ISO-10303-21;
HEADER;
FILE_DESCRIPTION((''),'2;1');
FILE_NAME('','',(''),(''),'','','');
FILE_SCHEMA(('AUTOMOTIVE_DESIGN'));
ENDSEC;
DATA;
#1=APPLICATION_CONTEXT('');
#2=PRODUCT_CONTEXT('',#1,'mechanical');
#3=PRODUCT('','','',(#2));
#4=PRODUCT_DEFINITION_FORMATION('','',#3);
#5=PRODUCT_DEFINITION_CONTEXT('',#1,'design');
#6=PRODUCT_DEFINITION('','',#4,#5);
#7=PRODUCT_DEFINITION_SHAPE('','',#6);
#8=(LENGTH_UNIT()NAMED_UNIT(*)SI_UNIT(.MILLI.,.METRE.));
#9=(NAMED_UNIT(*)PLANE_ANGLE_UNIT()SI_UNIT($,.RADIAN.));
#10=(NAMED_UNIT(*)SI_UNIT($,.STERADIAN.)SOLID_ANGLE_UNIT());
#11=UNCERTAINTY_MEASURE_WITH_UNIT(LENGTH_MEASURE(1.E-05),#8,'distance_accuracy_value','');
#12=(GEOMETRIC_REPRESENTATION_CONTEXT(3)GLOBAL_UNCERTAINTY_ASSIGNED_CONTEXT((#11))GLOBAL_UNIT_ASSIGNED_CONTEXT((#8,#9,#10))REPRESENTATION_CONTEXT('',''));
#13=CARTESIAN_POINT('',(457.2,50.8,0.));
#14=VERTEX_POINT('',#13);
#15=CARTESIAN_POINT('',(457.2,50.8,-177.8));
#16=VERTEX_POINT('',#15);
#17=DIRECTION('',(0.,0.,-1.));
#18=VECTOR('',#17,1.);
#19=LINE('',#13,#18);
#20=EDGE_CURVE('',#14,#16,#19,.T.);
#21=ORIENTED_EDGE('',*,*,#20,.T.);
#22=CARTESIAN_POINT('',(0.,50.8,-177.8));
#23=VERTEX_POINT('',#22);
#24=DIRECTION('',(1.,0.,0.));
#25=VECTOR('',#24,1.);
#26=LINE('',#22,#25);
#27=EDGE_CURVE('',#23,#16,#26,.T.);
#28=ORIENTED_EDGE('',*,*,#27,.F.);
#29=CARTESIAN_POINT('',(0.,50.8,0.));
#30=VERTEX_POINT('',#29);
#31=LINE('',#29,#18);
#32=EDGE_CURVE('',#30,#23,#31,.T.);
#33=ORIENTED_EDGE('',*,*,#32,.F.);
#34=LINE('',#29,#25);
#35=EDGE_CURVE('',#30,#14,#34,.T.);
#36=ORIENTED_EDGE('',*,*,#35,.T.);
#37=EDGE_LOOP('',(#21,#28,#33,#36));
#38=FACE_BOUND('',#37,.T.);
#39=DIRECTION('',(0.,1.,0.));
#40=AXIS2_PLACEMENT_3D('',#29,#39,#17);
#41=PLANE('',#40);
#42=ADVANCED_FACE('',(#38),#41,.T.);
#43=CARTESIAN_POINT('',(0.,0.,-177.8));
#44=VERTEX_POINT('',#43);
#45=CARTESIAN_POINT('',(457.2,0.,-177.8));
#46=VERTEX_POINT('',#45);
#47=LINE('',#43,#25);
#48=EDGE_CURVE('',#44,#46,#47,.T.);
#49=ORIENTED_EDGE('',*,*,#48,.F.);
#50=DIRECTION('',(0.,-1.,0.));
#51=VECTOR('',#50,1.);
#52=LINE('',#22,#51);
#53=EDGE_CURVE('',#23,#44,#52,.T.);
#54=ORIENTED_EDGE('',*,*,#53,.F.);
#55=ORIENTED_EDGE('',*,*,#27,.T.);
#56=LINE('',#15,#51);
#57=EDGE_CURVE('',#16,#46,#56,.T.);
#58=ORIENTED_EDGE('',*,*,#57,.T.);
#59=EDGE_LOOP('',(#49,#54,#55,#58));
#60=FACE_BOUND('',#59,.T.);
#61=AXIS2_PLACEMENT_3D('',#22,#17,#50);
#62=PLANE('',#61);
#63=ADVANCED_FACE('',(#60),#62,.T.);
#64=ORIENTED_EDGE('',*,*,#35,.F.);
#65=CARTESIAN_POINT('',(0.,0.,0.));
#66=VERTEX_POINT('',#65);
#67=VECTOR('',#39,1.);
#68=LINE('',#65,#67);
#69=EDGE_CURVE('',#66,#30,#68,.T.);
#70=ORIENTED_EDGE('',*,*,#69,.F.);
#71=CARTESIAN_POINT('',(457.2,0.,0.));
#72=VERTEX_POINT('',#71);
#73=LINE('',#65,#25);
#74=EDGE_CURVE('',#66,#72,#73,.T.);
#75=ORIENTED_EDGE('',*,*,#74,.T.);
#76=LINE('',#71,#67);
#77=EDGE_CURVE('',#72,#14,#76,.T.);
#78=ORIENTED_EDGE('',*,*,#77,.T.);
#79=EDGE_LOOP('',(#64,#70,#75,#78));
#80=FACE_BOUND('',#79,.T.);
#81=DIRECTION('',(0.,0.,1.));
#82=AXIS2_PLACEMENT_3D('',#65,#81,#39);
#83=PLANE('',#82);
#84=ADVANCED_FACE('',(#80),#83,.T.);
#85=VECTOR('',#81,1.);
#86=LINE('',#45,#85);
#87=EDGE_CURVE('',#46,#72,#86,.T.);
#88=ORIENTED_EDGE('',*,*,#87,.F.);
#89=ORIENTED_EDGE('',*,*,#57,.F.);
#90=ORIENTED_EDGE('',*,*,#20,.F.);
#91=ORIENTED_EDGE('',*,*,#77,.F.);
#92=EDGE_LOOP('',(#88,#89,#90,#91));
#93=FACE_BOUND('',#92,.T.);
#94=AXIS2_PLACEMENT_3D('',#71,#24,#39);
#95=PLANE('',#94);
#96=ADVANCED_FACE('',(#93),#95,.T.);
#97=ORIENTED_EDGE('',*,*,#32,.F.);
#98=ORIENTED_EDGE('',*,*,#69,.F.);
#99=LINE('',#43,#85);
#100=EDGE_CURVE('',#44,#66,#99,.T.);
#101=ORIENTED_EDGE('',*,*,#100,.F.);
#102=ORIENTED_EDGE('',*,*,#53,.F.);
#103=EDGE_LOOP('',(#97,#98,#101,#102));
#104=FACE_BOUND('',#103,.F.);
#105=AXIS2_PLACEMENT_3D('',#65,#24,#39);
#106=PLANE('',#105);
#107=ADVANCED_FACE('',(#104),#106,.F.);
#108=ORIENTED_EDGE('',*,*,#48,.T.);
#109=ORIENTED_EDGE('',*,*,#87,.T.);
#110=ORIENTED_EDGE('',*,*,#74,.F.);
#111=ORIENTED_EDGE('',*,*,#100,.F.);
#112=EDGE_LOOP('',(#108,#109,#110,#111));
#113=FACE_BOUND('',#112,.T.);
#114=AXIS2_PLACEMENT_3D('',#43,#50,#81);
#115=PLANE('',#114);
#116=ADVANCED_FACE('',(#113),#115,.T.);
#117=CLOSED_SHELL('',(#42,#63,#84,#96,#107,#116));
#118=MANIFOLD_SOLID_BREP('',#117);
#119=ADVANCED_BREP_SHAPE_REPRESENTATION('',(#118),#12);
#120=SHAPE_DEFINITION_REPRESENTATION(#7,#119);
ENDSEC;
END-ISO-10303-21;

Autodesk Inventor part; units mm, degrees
ref_plane "YZ Plane" through (0, 0, 0) normal (1, 0, 0) x (0, 1, 0)
ref_plane "XZ Plane" through (0, 0, 0) normal (0, 1, 0) x (-1, 0, 0)
ref_plane "XY Plane" through (0, 0, 0) normal (0, 0, 1) x (1, 0, 0)
sketch "Sketch2" plane through (0, 0, 0) normal (1, 0, 0) x (0, 1, 0)
  line L0 (0, 0) -> (50.8, 0)
  line L1 (50.8, 0) -> (50.8, -177.8)
  line L2 (50.8, -177.8) -> (0, -177.8)
  line L3 (0, -177.8) -> (0, 0)
  dimension "d3" = 50.8
  dimension "d4" = 177.8
extrude "Extrusion1" add sketch "Sketch2" along normal blind 457.2
properties part number "Straight - 12"
